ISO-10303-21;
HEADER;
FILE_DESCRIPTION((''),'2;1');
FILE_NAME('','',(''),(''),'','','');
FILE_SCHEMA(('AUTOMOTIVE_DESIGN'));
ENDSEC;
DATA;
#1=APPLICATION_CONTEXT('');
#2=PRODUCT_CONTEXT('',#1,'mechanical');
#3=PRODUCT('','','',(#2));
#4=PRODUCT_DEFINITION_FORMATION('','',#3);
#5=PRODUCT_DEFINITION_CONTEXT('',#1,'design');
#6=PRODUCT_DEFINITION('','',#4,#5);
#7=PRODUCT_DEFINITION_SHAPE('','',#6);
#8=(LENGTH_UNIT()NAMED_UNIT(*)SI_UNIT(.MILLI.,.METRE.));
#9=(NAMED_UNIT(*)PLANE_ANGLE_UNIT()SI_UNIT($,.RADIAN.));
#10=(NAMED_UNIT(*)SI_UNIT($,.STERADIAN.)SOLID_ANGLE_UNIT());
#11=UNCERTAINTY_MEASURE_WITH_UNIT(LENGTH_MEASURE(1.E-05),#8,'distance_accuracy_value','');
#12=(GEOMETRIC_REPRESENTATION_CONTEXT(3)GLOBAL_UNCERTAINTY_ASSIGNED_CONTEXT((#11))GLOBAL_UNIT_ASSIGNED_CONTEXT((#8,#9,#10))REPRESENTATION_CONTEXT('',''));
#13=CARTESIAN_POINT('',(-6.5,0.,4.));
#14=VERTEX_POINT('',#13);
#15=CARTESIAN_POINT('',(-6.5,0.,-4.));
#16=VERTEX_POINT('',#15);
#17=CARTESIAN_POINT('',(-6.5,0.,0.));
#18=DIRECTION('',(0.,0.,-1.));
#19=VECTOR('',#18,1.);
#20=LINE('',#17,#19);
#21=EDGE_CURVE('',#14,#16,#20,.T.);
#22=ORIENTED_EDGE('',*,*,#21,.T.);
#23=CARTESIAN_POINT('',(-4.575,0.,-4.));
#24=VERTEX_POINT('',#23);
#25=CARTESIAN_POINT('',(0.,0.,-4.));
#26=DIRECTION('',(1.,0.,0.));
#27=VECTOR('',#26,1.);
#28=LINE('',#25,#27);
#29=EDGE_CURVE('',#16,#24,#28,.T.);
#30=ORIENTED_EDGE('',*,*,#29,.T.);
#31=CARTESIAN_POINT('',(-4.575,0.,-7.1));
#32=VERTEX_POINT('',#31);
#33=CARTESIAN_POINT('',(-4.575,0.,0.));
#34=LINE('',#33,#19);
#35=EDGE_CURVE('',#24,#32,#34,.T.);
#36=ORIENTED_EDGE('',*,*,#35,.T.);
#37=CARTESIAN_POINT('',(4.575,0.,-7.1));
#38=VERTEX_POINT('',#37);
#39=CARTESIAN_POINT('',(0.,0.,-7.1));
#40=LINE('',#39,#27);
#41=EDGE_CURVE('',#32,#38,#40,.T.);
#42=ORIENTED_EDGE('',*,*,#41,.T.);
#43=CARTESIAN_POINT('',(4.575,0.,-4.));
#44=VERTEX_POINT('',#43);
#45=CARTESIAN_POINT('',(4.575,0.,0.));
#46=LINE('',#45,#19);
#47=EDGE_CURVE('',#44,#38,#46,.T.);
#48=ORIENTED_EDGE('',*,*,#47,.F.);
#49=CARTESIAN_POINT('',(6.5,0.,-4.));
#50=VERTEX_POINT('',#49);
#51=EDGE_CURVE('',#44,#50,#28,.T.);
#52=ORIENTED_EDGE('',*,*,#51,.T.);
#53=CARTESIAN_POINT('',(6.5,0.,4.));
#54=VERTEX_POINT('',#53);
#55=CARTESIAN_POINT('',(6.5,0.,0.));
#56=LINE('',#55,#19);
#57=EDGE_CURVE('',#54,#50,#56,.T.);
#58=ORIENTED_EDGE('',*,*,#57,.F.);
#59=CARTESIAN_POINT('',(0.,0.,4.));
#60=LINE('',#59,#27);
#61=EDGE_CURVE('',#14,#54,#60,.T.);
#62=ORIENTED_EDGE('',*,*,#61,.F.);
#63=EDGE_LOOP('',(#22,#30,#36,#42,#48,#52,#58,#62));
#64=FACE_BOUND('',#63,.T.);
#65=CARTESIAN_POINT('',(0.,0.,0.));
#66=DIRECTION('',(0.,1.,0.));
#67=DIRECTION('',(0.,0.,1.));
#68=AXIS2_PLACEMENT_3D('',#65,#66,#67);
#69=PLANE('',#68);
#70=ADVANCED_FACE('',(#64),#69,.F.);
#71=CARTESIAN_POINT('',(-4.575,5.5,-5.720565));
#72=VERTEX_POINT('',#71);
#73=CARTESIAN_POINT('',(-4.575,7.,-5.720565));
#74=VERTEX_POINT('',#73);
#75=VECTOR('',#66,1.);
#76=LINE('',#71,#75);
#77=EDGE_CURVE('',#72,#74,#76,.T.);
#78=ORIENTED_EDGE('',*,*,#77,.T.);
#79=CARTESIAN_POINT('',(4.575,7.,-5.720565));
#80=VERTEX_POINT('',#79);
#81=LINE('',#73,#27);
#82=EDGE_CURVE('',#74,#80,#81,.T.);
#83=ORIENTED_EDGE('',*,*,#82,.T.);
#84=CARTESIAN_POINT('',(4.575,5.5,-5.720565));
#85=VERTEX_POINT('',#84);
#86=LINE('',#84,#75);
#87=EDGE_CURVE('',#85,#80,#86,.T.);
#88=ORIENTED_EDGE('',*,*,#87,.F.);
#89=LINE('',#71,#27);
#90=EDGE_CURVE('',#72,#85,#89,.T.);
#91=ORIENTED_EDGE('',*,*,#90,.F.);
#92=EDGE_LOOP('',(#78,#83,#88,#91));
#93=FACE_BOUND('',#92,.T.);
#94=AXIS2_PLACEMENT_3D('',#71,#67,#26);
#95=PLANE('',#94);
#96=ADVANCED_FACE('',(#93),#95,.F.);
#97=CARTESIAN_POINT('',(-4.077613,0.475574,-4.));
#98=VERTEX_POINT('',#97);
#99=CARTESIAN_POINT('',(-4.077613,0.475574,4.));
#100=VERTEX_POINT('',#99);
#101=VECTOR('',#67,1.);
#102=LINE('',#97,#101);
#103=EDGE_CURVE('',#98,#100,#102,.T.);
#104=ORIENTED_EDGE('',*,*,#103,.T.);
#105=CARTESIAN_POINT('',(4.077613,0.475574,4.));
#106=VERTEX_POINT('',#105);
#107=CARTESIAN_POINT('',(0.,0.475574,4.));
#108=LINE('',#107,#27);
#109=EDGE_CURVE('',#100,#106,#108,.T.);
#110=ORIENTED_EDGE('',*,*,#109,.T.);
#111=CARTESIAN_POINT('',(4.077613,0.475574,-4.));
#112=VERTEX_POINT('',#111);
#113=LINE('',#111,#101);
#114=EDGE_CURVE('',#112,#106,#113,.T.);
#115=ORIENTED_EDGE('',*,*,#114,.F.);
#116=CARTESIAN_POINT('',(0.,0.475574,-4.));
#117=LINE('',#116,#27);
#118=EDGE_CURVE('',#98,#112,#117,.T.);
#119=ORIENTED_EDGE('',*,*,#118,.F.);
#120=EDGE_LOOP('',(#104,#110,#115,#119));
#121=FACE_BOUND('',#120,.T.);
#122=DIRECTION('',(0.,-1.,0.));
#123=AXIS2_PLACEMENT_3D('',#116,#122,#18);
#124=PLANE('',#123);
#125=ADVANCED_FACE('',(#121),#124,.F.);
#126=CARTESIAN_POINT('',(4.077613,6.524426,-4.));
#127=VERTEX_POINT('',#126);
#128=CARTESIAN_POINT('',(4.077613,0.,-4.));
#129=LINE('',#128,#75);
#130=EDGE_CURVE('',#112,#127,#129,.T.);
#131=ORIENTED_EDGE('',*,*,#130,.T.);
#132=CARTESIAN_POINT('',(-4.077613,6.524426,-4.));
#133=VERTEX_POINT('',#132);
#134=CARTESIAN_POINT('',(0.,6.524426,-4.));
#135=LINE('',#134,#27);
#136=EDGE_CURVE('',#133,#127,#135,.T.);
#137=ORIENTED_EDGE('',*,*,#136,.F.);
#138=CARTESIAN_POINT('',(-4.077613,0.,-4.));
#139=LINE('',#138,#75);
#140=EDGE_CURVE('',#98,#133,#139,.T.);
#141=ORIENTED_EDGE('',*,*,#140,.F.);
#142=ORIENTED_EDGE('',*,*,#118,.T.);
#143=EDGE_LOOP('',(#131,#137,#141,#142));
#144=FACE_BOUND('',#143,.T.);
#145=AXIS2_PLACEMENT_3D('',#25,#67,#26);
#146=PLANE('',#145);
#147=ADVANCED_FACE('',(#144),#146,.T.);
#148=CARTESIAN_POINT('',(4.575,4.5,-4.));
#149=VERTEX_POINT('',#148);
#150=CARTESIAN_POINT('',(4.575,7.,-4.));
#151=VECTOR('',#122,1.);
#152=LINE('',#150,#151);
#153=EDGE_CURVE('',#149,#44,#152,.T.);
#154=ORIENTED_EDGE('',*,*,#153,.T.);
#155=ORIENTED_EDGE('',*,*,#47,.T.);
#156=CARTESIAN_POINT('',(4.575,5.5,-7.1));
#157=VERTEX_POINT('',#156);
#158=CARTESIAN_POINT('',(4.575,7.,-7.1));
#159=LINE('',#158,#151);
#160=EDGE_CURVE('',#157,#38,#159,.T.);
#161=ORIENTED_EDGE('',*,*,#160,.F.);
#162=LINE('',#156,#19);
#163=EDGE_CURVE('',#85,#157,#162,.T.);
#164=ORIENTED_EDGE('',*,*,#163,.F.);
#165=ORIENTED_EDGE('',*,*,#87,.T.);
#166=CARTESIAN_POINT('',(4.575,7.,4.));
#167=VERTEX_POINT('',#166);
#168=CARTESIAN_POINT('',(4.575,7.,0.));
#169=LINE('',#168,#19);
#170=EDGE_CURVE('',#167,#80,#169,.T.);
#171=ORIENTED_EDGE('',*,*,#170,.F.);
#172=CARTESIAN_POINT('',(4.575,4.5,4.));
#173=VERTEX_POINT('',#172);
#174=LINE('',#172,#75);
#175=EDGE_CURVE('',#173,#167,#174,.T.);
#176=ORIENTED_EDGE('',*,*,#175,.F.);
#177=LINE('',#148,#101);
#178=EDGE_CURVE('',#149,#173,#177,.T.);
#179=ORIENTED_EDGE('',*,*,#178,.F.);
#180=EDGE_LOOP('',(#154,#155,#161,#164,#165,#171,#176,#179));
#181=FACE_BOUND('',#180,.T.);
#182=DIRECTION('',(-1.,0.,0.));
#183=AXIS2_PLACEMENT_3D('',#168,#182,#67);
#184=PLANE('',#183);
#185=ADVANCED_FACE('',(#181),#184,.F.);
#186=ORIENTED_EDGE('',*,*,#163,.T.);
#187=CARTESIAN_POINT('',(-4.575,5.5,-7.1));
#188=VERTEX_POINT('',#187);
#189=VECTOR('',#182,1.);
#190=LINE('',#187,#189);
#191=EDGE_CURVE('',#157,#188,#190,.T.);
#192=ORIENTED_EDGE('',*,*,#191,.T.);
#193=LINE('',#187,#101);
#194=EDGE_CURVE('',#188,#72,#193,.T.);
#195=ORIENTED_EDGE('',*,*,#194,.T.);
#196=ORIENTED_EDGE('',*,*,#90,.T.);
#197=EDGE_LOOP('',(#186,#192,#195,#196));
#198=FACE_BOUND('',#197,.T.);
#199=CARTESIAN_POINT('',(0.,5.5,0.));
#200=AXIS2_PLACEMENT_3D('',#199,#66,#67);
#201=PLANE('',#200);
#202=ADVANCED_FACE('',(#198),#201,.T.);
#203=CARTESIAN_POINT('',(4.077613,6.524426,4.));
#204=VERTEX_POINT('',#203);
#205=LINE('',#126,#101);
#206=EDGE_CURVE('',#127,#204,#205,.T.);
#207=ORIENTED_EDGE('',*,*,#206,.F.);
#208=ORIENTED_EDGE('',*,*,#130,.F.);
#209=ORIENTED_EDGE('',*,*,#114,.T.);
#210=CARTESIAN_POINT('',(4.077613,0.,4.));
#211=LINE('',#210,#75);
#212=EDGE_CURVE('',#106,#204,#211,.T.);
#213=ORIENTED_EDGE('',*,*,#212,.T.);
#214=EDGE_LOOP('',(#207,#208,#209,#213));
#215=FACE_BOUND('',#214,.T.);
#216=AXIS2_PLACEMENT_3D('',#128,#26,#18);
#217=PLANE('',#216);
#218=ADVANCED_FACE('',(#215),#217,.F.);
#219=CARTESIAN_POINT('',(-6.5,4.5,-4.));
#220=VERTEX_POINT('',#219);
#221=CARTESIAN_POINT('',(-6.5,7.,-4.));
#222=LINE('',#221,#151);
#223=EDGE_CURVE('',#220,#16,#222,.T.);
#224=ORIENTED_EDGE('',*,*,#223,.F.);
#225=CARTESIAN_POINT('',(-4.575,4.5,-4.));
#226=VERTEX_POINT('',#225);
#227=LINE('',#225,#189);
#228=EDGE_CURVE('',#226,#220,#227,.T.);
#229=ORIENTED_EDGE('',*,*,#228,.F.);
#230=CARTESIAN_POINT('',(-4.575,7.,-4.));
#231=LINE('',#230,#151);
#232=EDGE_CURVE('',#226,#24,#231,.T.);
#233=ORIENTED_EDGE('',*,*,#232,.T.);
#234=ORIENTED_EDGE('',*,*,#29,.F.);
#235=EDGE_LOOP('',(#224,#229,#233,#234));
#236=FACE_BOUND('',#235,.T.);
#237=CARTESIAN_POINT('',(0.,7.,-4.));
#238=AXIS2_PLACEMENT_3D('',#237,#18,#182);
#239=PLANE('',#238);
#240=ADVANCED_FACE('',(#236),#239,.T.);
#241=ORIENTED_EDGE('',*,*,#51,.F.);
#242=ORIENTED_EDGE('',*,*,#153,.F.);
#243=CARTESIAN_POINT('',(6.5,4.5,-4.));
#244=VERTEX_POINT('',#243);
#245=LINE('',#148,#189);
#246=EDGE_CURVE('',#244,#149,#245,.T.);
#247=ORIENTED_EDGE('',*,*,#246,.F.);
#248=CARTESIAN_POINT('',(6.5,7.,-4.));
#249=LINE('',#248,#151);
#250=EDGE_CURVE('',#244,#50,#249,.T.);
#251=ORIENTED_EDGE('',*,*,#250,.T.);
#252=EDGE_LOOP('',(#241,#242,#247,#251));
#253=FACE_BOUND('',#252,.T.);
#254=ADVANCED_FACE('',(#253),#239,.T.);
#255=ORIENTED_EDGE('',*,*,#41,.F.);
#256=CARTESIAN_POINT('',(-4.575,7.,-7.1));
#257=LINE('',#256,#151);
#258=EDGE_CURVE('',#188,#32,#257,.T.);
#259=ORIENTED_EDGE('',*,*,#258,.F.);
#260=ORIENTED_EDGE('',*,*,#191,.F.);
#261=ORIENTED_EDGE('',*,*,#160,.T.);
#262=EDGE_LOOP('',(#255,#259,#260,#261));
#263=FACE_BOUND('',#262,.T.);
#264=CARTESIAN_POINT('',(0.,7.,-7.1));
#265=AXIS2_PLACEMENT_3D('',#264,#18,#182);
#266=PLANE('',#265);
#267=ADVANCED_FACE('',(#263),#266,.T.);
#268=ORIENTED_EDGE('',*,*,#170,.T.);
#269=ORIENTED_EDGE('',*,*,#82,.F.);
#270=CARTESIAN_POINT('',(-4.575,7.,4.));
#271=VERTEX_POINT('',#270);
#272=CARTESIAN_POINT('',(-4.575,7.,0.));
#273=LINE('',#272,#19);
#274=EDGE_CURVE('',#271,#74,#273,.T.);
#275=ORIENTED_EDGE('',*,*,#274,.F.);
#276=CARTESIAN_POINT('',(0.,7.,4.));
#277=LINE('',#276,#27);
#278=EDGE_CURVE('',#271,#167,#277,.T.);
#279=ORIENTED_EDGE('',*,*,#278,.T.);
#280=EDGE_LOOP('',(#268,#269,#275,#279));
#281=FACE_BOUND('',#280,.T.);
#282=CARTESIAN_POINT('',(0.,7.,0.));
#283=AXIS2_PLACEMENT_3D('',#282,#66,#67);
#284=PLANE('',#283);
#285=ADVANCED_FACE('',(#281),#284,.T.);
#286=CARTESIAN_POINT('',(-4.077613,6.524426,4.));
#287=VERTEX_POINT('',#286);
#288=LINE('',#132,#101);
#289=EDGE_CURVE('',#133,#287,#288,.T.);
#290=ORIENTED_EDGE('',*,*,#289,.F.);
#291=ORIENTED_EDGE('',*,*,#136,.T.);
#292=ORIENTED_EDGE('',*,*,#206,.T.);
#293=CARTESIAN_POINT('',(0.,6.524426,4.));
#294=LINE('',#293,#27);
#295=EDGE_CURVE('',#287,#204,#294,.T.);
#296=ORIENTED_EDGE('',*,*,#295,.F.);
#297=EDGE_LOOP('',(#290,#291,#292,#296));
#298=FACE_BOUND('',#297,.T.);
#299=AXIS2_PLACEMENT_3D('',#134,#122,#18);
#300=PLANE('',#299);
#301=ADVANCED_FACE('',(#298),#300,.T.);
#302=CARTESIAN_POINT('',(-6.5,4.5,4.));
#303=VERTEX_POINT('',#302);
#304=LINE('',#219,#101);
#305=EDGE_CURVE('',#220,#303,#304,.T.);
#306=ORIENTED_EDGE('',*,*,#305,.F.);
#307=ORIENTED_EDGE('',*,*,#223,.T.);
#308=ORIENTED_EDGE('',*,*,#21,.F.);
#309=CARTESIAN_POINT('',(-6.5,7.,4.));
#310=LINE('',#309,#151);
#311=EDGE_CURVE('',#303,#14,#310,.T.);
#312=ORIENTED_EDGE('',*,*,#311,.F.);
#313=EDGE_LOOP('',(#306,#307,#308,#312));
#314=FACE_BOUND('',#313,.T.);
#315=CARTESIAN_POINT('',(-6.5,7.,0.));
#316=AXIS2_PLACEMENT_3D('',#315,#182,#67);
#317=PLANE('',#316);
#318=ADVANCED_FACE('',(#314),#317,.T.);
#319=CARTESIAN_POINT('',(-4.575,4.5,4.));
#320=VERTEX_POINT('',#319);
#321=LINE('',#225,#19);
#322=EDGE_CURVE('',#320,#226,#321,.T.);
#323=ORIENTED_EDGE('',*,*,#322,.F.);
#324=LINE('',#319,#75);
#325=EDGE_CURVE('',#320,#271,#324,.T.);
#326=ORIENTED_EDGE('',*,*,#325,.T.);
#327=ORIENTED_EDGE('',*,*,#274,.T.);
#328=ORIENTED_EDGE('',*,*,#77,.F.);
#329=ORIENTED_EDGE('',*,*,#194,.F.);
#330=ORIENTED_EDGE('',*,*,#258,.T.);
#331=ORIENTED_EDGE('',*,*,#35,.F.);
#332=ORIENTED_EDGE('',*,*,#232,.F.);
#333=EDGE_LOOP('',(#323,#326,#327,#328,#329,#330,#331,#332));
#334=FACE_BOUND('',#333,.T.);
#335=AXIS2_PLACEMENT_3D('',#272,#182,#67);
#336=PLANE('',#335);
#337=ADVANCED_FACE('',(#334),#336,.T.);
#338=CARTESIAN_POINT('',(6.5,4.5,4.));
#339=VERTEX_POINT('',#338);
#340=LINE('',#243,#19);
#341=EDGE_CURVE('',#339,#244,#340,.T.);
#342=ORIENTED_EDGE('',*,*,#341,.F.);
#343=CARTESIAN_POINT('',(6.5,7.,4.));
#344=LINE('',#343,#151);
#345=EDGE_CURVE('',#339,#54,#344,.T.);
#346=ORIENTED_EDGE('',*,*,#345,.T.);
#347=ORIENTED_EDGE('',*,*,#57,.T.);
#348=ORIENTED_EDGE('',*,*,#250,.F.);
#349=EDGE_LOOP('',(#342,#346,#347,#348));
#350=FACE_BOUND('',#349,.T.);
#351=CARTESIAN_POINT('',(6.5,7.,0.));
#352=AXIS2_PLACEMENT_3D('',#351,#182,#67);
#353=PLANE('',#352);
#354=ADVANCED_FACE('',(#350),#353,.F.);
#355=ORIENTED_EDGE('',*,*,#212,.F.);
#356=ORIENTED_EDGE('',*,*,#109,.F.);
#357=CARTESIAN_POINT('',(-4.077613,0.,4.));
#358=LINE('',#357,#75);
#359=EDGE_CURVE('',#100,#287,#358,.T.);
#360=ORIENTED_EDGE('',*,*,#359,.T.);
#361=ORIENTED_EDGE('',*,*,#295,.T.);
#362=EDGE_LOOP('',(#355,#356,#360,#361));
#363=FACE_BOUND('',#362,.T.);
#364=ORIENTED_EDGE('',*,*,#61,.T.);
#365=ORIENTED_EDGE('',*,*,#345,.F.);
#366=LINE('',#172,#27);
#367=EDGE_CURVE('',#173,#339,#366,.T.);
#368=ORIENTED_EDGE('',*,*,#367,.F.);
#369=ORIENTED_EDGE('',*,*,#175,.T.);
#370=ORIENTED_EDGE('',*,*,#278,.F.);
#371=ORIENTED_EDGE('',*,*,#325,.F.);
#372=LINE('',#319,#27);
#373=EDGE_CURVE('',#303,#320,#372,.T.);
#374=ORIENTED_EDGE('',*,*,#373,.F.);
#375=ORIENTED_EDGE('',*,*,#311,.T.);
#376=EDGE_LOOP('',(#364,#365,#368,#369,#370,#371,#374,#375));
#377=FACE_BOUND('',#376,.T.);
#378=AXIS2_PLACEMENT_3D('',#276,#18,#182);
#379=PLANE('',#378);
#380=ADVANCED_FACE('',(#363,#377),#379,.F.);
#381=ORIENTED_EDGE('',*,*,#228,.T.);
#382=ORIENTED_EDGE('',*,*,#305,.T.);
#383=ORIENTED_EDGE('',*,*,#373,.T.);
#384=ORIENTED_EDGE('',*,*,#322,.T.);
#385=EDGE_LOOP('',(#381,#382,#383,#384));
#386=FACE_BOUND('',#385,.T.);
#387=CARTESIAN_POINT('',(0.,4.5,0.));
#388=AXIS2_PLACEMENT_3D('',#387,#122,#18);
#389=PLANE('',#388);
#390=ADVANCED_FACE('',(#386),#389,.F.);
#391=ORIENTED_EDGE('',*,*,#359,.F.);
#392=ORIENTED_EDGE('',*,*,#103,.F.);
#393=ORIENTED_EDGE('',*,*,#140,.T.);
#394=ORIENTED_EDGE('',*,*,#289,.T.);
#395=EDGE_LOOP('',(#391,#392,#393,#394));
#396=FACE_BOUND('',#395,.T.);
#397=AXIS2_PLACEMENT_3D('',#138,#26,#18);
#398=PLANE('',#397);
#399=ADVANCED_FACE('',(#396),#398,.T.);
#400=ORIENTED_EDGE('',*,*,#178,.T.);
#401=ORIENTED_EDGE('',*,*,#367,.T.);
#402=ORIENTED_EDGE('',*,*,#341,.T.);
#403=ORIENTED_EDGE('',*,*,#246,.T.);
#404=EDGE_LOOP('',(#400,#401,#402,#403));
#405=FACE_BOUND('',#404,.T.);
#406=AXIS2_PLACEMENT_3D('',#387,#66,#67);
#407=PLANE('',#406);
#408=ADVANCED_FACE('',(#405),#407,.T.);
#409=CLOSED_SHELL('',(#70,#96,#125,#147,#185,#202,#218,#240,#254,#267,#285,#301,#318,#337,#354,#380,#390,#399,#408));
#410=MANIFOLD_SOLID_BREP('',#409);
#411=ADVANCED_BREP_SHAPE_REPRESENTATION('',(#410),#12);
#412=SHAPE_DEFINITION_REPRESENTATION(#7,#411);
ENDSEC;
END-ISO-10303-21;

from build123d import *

# Parameters (mm, degrees)
SKETCH1_W           = 9.15
SKETCH1_H           = 3.1
SKETCH1_W_2         = 13
SKETCH1_H_2         = 8
BOSS_EXTRUDE1_DEPTH = 7
SKETCH2_W           = 1.925
SKETCH2_H           = 8
CUT_EXTRUDE1_DEPTH  = 2.5
SKETCH3_W           = 9.15
SKETCH3_H           = 1.379434604
CUT_EXTRUDE2_DEPTH  = 1.5
SKETCH4_W           = 8.155225922
SKETCH4_H           = 6.048851008
CUT_EXTRUDE3_DEPTH  = 8


with BuildPart() as part:
    # Sketch1 → Boss-Extrude1 (new body)
    with BuildSketch(Plane(origin=(0, 0, 0), x_dir=(1, 0, 0), z_dir=(0, 1, 0))):
        with Locations((0, 5.55)):
            Rectangle(SKETCH1_W, SKETCH1_H)
        Rectangle(SKETCH1_W_2, SKETCH1_H_2)
    extrude(amount=BOSS_EXTRUDE1_DEPTH)

    # Sketch2 → Cut-Extrude1 (cut)
    with BuildSketch(Plane(origin=(0, 7, 0), x_dir=(1, 0, 0), z_dir=(0, 1, 0))):
        with Locations((-5.5375, 0)):
            Rectangle(SKETCH2_W, SKETCH2_H)
        with Locations((5.5375, 0)):
            Rectangle(SKETCH2_W, SKETCH2_H)
    extrude(amount=-CUT_EXTRUDE1_DEPTH, mode=Mode.SUBTRACT)

    # Sketch3 → Cut-Extrude2 (cut)
    with BuildSketch(Plane(origin=(0, 7, 0), x_dir=(1, 0, 0), z_dir=(0, 1, 0))):
        with Locations((0, 6.410282698)):
            Rectangle(SKETCH3_W, SKETCH3_H)
    extrude(amount=-CUT_EXTRUDE2_DEPTH, mode=Mode.SUBTRACT)

    # Sketch4 → Cut-Extrude3 (cut)
    with BuildSketch(Plane.XY.offset(4)):
        with Locations((0, 3.5)):
            Rectangle(SKETCH4_W, SKETCH4_H)
    extrude(amount=-CUT_EXTRUDE3_DEPTH, mode=Mode.SUBTRACT)


solid = part.part
